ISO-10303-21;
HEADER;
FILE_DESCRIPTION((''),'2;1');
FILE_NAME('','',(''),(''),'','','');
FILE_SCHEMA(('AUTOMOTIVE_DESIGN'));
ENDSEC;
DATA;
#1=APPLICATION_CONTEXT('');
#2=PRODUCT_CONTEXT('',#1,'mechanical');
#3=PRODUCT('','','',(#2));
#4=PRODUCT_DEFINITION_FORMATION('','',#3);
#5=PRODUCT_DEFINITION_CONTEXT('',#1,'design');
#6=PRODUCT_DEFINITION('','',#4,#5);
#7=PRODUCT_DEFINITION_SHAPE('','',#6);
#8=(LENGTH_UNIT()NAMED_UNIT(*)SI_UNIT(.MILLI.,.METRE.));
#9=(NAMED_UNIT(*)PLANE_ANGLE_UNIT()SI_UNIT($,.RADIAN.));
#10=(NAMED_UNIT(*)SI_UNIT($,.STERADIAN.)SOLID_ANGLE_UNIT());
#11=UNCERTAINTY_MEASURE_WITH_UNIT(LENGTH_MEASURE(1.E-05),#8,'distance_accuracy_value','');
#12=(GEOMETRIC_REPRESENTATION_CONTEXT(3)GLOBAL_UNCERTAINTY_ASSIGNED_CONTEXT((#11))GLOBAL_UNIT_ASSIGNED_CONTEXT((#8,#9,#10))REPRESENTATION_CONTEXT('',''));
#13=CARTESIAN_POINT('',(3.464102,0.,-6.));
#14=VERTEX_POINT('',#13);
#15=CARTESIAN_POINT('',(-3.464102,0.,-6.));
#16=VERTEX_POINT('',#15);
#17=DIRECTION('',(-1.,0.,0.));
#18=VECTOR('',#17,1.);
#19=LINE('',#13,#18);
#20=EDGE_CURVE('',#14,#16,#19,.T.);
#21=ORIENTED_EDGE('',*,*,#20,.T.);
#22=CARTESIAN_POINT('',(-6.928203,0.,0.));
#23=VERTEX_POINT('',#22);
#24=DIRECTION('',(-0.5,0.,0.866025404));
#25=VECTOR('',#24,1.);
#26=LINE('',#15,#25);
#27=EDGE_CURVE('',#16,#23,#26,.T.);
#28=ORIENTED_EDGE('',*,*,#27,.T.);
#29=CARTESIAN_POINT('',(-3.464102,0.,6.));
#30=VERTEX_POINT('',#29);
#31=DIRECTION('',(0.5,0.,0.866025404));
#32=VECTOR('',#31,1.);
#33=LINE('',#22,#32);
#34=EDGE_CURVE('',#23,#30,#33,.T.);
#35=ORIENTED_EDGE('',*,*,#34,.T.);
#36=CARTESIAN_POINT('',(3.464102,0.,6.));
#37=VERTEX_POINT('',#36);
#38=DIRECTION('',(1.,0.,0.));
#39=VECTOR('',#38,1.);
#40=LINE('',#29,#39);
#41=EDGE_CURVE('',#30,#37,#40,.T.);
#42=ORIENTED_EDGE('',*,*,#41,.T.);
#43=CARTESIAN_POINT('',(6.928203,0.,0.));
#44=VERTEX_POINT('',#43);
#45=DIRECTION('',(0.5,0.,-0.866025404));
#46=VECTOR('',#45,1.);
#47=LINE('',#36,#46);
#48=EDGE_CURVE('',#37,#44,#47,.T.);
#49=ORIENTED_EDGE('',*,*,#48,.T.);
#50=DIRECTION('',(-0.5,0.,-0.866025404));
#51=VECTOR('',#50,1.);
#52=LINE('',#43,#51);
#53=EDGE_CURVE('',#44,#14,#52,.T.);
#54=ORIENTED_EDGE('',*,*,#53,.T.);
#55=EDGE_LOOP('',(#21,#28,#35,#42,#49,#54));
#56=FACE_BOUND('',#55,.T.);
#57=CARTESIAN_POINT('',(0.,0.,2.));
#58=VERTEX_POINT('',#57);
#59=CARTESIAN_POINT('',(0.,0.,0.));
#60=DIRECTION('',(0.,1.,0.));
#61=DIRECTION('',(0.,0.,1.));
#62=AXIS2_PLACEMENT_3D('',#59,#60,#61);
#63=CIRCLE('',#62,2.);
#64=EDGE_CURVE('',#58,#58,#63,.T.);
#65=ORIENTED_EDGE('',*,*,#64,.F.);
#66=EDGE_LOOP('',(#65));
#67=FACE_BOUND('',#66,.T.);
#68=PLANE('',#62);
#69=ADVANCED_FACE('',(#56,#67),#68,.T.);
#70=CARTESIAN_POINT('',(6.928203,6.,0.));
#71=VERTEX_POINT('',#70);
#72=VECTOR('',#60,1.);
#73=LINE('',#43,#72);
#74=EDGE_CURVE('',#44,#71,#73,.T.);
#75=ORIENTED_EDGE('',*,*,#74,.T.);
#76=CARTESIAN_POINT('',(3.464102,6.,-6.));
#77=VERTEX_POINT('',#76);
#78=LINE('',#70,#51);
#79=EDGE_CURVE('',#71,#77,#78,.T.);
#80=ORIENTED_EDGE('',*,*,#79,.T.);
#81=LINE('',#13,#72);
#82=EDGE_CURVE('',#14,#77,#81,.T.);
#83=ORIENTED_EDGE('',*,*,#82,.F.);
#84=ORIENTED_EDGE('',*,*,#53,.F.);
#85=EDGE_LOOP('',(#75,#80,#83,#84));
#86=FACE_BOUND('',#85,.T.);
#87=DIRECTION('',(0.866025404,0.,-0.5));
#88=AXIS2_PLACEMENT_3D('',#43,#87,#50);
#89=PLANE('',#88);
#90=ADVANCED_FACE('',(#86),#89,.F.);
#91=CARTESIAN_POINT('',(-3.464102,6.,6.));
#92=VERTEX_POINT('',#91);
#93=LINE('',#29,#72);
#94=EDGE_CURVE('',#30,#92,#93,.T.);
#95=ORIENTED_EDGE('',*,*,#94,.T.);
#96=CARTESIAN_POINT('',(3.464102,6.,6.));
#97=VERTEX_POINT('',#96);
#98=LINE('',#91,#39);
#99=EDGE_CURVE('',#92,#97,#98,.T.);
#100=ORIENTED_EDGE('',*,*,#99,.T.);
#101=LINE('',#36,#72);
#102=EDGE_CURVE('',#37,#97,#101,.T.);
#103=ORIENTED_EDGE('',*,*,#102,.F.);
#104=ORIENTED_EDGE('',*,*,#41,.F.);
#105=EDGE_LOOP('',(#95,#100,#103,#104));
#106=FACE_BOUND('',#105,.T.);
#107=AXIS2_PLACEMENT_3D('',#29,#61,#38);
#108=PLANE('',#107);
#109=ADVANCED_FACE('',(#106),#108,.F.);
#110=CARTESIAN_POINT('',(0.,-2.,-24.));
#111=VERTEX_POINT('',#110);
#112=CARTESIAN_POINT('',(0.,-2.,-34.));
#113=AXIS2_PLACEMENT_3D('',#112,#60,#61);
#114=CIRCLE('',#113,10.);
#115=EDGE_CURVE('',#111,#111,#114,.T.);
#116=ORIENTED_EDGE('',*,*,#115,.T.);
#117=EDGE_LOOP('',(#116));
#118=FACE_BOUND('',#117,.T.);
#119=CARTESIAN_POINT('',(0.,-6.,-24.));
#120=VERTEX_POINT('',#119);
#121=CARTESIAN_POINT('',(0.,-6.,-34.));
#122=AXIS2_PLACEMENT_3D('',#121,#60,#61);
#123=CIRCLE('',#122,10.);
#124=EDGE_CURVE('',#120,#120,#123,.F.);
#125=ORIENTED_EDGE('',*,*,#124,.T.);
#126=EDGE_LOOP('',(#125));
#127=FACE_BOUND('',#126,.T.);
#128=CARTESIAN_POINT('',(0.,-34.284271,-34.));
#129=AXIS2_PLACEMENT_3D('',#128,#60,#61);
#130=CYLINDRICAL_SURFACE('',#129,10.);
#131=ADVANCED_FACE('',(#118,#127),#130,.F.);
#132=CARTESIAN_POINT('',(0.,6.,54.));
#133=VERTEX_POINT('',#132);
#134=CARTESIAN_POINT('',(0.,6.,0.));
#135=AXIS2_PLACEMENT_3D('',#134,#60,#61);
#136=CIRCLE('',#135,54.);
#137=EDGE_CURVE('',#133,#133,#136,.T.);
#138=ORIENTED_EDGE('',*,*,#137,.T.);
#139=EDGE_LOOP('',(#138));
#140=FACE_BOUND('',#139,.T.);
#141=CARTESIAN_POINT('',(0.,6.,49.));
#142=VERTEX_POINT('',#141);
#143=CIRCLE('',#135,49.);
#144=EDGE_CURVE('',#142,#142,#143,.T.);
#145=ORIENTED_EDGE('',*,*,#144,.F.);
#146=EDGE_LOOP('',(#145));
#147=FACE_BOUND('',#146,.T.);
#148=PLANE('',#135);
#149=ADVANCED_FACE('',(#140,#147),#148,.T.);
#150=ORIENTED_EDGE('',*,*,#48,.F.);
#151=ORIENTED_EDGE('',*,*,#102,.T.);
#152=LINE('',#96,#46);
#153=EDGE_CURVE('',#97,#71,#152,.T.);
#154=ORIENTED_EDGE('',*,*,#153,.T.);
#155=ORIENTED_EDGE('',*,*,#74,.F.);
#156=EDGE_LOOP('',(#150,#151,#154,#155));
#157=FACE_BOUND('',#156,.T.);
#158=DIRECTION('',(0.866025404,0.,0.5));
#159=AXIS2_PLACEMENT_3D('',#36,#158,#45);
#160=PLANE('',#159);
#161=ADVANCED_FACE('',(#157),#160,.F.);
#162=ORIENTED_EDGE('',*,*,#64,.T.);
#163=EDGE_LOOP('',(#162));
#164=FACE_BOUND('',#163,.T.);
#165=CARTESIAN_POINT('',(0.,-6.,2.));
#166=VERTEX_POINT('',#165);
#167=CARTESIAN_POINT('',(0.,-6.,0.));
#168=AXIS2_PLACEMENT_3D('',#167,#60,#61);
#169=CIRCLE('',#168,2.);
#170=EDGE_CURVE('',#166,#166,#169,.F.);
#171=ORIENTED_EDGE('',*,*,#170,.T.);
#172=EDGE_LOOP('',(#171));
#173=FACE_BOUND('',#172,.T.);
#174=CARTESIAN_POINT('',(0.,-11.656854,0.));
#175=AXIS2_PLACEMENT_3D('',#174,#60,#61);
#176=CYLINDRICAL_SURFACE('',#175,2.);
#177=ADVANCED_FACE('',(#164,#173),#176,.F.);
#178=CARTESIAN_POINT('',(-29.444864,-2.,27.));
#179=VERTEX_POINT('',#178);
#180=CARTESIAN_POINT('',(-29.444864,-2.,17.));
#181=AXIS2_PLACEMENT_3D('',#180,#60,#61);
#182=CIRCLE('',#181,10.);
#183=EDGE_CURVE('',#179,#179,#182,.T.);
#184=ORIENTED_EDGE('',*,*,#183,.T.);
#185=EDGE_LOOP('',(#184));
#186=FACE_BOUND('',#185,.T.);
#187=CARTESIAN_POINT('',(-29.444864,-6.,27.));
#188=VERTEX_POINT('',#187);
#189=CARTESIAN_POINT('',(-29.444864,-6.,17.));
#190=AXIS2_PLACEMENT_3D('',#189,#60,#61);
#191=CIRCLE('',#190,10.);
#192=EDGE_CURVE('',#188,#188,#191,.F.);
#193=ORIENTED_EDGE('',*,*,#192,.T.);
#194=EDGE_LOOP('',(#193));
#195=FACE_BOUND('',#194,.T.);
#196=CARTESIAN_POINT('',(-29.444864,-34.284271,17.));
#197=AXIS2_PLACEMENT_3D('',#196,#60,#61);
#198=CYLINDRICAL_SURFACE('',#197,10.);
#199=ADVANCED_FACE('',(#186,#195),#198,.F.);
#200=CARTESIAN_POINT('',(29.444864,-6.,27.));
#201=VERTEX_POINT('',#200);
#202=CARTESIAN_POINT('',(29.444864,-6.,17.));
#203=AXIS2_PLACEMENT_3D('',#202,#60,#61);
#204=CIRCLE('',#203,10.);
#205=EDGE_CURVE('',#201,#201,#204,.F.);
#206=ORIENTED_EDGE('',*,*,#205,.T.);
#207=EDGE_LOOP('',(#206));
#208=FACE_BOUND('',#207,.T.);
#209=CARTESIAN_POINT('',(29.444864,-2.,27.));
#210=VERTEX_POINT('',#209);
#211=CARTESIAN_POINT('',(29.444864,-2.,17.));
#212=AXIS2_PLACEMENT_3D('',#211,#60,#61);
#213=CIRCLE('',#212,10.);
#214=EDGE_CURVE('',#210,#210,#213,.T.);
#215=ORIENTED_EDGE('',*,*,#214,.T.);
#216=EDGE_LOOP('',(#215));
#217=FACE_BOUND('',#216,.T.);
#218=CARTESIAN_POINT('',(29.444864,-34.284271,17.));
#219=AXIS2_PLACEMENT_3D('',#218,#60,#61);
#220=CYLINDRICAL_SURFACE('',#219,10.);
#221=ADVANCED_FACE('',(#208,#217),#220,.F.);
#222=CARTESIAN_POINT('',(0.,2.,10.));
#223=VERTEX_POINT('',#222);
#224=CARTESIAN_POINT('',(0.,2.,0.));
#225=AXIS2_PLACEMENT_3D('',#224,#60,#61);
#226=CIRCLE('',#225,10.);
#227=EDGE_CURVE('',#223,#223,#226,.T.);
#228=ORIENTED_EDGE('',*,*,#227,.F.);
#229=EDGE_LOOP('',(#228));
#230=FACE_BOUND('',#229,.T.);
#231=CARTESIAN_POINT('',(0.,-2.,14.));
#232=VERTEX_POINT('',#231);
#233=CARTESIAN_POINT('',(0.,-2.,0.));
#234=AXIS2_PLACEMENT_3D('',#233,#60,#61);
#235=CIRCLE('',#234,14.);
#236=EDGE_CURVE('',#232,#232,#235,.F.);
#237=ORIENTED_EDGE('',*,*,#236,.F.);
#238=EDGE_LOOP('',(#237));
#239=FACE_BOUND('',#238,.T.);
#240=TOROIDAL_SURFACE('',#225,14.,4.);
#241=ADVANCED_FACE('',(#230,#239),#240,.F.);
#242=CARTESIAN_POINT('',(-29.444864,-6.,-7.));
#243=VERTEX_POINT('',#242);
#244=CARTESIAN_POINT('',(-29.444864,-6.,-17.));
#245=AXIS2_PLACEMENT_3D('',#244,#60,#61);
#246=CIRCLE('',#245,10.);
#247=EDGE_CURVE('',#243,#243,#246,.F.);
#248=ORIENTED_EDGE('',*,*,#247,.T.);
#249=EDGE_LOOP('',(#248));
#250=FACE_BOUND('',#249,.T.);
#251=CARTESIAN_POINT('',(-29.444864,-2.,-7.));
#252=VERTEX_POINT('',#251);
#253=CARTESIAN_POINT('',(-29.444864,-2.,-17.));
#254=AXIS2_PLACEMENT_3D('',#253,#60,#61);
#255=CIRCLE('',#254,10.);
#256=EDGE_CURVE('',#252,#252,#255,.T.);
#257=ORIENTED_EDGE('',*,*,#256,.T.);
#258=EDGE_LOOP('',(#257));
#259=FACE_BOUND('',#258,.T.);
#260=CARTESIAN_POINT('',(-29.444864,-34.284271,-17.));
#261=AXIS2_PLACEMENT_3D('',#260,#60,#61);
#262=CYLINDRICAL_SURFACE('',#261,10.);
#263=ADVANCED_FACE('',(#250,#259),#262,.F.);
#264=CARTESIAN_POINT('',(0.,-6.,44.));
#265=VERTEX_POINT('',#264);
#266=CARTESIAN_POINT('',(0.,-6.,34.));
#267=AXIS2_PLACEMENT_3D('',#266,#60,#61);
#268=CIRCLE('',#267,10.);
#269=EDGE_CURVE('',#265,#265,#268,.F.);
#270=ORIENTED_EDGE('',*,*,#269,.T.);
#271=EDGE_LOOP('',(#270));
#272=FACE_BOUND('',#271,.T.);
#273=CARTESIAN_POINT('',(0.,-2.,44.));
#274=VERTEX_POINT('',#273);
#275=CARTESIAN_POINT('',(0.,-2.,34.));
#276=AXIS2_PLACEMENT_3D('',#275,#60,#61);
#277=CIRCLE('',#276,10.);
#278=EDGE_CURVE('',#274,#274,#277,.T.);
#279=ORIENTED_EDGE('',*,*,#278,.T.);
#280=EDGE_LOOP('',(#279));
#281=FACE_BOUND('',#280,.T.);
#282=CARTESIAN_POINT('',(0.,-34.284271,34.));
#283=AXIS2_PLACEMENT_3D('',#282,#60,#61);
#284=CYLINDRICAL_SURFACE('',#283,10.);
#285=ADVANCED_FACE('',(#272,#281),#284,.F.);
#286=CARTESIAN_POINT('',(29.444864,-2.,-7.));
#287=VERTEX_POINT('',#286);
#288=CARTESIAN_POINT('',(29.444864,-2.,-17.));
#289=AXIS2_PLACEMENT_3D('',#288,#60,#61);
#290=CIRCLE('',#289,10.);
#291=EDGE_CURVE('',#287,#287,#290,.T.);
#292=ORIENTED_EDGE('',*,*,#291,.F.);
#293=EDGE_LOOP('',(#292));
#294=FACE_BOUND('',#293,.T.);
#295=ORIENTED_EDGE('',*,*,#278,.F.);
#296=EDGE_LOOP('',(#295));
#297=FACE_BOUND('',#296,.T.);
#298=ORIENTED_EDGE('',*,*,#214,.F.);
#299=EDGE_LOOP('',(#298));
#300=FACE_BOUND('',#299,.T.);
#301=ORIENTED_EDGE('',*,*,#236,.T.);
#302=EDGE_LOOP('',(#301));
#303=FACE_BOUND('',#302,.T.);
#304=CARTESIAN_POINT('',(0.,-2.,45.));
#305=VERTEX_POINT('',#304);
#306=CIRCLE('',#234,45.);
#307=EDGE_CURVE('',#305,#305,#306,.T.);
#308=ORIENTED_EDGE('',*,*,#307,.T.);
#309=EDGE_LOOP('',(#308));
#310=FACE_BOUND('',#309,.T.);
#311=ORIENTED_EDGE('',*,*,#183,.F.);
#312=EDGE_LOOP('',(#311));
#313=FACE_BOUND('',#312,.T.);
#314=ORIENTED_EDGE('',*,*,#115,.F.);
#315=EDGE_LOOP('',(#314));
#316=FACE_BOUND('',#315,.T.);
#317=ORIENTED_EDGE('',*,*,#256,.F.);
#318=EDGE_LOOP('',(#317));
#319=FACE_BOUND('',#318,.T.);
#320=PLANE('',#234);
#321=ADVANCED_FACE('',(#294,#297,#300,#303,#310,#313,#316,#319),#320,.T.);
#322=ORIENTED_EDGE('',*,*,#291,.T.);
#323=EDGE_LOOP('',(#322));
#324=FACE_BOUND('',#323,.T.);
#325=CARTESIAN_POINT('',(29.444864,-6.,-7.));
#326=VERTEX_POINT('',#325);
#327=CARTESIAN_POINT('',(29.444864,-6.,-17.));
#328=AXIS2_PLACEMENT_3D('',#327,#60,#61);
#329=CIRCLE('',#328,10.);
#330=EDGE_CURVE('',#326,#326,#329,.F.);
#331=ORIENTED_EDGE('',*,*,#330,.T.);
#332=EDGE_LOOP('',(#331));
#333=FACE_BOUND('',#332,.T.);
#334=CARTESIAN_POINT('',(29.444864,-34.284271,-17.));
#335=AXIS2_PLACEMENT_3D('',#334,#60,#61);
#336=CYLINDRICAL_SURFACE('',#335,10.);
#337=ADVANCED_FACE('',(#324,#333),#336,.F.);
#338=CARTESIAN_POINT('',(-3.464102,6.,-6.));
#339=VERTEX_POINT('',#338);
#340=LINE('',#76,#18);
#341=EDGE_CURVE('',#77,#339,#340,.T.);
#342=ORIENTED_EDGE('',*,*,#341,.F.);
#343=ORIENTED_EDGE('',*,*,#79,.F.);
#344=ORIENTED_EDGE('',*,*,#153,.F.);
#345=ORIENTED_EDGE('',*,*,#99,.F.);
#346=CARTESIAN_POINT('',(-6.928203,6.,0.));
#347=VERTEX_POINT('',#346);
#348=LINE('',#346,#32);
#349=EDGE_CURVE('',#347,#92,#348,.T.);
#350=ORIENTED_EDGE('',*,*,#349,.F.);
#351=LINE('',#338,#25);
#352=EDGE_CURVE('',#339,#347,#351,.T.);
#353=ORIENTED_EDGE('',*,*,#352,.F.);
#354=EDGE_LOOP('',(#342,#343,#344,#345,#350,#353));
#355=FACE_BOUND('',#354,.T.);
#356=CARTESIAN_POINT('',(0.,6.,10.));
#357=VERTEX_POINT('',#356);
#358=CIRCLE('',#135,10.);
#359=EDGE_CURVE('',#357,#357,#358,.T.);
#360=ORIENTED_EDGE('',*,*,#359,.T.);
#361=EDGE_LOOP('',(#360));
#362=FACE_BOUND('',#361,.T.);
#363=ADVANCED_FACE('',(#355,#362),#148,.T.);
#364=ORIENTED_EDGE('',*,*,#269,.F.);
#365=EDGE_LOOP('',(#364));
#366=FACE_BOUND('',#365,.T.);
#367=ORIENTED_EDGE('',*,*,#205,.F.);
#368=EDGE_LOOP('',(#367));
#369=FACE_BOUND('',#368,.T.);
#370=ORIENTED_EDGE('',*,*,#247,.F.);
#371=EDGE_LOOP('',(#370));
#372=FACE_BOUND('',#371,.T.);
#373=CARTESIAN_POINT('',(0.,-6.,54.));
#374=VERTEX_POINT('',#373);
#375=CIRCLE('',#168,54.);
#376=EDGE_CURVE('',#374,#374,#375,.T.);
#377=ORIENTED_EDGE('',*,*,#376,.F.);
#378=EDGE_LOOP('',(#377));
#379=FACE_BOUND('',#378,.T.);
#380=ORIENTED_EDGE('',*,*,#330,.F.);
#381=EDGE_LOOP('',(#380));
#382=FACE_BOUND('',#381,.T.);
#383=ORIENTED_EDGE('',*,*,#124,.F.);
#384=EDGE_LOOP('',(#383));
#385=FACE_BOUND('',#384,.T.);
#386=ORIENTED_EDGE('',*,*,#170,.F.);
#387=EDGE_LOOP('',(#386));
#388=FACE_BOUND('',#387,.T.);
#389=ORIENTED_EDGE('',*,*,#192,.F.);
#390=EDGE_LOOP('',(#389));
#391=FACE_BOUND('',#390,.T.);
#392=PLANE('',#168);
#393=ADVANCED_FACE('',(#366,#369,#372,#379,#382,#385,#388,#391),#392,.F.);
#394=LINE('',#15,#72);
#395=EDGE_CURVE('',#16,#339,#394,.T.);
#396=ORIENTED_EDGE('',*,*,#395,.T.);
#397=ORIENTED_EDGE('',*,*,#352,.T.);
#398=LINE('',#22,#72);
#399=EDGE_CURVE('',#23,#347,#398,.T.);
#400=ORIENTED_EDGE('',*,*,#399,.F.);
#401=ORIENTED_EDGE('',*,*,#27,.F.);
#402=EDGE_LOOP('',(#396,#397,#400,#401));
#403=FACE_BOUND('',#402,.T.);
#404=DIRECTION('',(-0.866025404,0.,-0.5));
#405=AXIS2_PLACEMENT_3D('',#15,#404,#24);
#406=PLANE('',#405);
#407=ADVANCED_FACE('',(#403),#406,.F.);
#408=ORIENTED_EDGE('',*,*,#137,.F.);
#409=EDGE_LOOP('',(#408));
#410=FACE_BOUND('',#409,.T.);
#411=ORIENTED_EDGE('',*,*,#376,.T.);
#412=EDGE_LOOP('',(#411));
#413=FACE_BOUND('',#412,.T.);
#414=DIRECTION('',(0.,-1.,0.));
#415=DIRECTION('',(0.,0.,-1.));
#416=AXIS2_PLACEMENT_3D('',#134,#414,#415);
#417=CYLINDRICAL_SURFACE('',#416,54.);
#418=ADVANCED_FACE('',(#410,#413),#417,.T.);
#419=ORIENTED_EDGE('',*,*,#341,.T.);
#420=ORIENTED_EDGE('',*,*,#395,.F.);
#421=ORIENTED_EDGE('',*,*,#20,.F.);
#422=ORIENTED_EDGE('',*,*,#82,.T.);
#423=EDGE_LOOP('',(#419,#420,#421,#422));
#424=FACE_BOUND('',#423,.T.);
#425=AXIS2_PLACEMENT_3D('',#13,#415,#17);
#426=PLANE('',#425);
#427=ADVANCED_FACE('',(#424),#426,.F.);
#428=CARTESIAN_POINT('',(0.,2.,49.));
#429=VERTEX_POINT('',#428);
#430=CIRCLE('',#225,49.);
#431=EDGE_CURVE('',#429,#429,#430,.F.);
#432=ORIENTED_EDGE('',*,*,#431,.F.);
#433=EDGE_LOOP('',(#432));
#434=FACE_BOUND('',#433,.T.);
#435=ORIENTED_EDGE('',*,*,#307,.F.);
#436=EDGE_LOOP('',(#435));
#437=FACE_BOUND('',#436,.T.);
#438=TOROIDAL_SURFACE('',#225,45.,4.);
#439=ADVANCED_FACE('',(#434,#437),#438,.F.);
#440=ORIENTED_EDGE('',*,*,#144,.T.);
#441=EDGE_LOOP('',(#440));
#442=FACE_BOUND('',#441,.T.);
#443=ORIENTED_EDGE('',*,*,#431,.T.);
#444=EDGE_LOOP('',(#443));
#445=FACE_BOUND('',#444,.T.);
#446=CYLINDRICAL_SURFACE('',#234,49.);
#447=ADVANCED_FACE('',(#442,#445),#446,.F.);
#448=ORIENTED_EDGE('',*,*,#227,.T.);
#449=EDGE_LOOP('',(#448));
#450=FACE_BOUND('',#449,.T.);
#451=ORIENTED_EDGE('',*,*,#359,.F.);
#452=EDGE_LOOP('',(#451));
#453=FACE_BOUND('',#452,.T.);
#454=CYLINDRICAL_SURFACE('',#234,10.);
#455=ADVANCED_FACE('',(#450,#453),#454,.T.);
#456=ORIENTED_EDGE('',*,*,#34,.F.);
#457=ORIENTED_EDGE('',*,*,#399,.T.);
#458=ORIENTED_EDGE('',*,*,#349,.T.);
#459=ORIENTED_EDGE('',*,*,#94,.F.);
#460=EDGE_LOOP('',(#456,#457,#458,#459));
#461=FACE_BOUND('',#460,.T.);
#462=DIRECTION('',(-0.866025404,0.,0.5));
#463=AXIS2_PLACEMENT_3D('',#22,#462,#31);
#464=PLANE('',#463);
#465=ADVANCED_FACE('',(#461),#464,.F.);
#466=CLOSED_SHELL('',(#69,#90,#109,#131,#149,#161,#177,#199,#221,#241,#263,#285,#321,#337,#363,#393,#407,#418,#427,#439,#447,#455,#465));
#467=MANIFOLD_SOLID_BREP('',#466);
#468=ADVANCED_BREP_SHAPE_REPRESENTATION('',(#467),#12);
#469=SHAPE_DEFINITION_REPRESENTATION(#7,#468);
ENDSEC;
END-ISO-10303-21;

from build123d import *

# Parameters (mm, degrees)
SKETCH1_R           = 54
BOSS_EXTRUDE1_DEPTH = 6
SKETCH2_R           = 49
SKETCH2_R_2         = 10
CUT_EXTRUDE1_DEPTH  = 8
CUT_EXTRUDE2_DEPTH  = 6
SKETCH4_R           = 2
CUT_EXTRUDE3_DEPTH  = 6
SKETCH6_R           = 10
CUT_EXTRUDE5_DEPTH  = 4
FILLET1_R           = 4


with BuildPart() as part:
    # Sketch1 → Boss-Extrude1 (new, symmetric)
    with BuildSketch(Plane(origin=(0, 0, 0), x_dir=(1, 0, 0), z_dir=(0, 1, 0))):
        with Locations(Location((0, 0, 0), (0, 0, 270))):
            Circle(SKETCH1_R)
    extrude(amount=BOSS_EXTRUDE1_DEPTH, both=True)

    # Sketch2 → Cut-Extrude1 (cut)
    with BuildSketch(Plane(origin=(0, 6, 0), x_dir=(1, 0, 0), z_dir=(0, 1, 0))):
        with Locations(Location((0, 0, 0), (0, 0, 270))):
            Circle(SKETCH2_R)
        with Locations(Location((0, 0, 0), (0, 0, 270))):
            Circle(SKETCH2_R_2, mode=Mode.SUBTRACT)
    extrude(amount=-CUT_EXTRUDE1_DEPTH, mode=Mode.SUBTRACT)

    # Sketch3 → Cut-Extrude2 (cut)
    with BuildSketch(Plane(origin=(0, 6, 0), x_dir=(1, 0, 0), z_dir=(0, 1, 0))):
        Polygon((6.92820323, 0), (3.464101615, 6), (-3.464101615, 6), (-6.92820323, 0), (-3.464101615, -6), (3.464101615, -6), align=None)
    extrude(amount=-CUT_EXTRUDE2_DEPTH, mode=Mode.SUBTRACT)

    # Sketch4 → Cut-Extrude3 (cut)
    with BuildSketch(Plane(origin=(0, 0, 0), x_dir=(1, 0, 0), z_dir=(0, 1, 0))):
        with Locations(Location((0, 0, 0), (0, 0, 270))):
            Circle(SKETCH4_R)
    extrude(amount=-CUT_EXTRUDE3_DEPTH, mode=Mode.SUBTRACT)

    # Sketch6 → Cut-Extrude5 (cut)
    with BuildSketch(Plane(origin=(0, -2, 0), x_dir=(1, 0, 0), z_dir=(0, 1, 0))):
        with Locations(Location((0, 34, 0), (0, 0, 270))):
            Circle(SKETCH6_R)
        with Locations(Location((29.444863729, 17, 0), (0, 0, 270))):
            Circle(SKETCH6_R)
        with Locations(Location((29.444863729, -17, 0), (0, 0, 270))):
            Circle(SKETCH6_R)
        with Locations(Location((0, -34, 0), (0, 0, 270))):
            Circle(SKETCH6_R)
        with Locations(Location((-29.444863729, -17, 0), (0, 0, 270))):
            Circle(SKETCH6_R)
        with Locations(Location((-29.444863729, 17, 0), (0, 0, 270))):
            Circle(SKETCH6_R)
    extrude(amount=-CUT_EXTRUDE5_DEPTH, mode=Mode.SUBTRACT)

    # Fillet1
    fillet1_edges = [part.edges().sort_by_distance(p)[0] for p in [
        (0, -2, -49),
        (0, -2, -10),
    ]]
    fillet(fillet1_edges, radius=FILLET1_R)


solid = part.part
